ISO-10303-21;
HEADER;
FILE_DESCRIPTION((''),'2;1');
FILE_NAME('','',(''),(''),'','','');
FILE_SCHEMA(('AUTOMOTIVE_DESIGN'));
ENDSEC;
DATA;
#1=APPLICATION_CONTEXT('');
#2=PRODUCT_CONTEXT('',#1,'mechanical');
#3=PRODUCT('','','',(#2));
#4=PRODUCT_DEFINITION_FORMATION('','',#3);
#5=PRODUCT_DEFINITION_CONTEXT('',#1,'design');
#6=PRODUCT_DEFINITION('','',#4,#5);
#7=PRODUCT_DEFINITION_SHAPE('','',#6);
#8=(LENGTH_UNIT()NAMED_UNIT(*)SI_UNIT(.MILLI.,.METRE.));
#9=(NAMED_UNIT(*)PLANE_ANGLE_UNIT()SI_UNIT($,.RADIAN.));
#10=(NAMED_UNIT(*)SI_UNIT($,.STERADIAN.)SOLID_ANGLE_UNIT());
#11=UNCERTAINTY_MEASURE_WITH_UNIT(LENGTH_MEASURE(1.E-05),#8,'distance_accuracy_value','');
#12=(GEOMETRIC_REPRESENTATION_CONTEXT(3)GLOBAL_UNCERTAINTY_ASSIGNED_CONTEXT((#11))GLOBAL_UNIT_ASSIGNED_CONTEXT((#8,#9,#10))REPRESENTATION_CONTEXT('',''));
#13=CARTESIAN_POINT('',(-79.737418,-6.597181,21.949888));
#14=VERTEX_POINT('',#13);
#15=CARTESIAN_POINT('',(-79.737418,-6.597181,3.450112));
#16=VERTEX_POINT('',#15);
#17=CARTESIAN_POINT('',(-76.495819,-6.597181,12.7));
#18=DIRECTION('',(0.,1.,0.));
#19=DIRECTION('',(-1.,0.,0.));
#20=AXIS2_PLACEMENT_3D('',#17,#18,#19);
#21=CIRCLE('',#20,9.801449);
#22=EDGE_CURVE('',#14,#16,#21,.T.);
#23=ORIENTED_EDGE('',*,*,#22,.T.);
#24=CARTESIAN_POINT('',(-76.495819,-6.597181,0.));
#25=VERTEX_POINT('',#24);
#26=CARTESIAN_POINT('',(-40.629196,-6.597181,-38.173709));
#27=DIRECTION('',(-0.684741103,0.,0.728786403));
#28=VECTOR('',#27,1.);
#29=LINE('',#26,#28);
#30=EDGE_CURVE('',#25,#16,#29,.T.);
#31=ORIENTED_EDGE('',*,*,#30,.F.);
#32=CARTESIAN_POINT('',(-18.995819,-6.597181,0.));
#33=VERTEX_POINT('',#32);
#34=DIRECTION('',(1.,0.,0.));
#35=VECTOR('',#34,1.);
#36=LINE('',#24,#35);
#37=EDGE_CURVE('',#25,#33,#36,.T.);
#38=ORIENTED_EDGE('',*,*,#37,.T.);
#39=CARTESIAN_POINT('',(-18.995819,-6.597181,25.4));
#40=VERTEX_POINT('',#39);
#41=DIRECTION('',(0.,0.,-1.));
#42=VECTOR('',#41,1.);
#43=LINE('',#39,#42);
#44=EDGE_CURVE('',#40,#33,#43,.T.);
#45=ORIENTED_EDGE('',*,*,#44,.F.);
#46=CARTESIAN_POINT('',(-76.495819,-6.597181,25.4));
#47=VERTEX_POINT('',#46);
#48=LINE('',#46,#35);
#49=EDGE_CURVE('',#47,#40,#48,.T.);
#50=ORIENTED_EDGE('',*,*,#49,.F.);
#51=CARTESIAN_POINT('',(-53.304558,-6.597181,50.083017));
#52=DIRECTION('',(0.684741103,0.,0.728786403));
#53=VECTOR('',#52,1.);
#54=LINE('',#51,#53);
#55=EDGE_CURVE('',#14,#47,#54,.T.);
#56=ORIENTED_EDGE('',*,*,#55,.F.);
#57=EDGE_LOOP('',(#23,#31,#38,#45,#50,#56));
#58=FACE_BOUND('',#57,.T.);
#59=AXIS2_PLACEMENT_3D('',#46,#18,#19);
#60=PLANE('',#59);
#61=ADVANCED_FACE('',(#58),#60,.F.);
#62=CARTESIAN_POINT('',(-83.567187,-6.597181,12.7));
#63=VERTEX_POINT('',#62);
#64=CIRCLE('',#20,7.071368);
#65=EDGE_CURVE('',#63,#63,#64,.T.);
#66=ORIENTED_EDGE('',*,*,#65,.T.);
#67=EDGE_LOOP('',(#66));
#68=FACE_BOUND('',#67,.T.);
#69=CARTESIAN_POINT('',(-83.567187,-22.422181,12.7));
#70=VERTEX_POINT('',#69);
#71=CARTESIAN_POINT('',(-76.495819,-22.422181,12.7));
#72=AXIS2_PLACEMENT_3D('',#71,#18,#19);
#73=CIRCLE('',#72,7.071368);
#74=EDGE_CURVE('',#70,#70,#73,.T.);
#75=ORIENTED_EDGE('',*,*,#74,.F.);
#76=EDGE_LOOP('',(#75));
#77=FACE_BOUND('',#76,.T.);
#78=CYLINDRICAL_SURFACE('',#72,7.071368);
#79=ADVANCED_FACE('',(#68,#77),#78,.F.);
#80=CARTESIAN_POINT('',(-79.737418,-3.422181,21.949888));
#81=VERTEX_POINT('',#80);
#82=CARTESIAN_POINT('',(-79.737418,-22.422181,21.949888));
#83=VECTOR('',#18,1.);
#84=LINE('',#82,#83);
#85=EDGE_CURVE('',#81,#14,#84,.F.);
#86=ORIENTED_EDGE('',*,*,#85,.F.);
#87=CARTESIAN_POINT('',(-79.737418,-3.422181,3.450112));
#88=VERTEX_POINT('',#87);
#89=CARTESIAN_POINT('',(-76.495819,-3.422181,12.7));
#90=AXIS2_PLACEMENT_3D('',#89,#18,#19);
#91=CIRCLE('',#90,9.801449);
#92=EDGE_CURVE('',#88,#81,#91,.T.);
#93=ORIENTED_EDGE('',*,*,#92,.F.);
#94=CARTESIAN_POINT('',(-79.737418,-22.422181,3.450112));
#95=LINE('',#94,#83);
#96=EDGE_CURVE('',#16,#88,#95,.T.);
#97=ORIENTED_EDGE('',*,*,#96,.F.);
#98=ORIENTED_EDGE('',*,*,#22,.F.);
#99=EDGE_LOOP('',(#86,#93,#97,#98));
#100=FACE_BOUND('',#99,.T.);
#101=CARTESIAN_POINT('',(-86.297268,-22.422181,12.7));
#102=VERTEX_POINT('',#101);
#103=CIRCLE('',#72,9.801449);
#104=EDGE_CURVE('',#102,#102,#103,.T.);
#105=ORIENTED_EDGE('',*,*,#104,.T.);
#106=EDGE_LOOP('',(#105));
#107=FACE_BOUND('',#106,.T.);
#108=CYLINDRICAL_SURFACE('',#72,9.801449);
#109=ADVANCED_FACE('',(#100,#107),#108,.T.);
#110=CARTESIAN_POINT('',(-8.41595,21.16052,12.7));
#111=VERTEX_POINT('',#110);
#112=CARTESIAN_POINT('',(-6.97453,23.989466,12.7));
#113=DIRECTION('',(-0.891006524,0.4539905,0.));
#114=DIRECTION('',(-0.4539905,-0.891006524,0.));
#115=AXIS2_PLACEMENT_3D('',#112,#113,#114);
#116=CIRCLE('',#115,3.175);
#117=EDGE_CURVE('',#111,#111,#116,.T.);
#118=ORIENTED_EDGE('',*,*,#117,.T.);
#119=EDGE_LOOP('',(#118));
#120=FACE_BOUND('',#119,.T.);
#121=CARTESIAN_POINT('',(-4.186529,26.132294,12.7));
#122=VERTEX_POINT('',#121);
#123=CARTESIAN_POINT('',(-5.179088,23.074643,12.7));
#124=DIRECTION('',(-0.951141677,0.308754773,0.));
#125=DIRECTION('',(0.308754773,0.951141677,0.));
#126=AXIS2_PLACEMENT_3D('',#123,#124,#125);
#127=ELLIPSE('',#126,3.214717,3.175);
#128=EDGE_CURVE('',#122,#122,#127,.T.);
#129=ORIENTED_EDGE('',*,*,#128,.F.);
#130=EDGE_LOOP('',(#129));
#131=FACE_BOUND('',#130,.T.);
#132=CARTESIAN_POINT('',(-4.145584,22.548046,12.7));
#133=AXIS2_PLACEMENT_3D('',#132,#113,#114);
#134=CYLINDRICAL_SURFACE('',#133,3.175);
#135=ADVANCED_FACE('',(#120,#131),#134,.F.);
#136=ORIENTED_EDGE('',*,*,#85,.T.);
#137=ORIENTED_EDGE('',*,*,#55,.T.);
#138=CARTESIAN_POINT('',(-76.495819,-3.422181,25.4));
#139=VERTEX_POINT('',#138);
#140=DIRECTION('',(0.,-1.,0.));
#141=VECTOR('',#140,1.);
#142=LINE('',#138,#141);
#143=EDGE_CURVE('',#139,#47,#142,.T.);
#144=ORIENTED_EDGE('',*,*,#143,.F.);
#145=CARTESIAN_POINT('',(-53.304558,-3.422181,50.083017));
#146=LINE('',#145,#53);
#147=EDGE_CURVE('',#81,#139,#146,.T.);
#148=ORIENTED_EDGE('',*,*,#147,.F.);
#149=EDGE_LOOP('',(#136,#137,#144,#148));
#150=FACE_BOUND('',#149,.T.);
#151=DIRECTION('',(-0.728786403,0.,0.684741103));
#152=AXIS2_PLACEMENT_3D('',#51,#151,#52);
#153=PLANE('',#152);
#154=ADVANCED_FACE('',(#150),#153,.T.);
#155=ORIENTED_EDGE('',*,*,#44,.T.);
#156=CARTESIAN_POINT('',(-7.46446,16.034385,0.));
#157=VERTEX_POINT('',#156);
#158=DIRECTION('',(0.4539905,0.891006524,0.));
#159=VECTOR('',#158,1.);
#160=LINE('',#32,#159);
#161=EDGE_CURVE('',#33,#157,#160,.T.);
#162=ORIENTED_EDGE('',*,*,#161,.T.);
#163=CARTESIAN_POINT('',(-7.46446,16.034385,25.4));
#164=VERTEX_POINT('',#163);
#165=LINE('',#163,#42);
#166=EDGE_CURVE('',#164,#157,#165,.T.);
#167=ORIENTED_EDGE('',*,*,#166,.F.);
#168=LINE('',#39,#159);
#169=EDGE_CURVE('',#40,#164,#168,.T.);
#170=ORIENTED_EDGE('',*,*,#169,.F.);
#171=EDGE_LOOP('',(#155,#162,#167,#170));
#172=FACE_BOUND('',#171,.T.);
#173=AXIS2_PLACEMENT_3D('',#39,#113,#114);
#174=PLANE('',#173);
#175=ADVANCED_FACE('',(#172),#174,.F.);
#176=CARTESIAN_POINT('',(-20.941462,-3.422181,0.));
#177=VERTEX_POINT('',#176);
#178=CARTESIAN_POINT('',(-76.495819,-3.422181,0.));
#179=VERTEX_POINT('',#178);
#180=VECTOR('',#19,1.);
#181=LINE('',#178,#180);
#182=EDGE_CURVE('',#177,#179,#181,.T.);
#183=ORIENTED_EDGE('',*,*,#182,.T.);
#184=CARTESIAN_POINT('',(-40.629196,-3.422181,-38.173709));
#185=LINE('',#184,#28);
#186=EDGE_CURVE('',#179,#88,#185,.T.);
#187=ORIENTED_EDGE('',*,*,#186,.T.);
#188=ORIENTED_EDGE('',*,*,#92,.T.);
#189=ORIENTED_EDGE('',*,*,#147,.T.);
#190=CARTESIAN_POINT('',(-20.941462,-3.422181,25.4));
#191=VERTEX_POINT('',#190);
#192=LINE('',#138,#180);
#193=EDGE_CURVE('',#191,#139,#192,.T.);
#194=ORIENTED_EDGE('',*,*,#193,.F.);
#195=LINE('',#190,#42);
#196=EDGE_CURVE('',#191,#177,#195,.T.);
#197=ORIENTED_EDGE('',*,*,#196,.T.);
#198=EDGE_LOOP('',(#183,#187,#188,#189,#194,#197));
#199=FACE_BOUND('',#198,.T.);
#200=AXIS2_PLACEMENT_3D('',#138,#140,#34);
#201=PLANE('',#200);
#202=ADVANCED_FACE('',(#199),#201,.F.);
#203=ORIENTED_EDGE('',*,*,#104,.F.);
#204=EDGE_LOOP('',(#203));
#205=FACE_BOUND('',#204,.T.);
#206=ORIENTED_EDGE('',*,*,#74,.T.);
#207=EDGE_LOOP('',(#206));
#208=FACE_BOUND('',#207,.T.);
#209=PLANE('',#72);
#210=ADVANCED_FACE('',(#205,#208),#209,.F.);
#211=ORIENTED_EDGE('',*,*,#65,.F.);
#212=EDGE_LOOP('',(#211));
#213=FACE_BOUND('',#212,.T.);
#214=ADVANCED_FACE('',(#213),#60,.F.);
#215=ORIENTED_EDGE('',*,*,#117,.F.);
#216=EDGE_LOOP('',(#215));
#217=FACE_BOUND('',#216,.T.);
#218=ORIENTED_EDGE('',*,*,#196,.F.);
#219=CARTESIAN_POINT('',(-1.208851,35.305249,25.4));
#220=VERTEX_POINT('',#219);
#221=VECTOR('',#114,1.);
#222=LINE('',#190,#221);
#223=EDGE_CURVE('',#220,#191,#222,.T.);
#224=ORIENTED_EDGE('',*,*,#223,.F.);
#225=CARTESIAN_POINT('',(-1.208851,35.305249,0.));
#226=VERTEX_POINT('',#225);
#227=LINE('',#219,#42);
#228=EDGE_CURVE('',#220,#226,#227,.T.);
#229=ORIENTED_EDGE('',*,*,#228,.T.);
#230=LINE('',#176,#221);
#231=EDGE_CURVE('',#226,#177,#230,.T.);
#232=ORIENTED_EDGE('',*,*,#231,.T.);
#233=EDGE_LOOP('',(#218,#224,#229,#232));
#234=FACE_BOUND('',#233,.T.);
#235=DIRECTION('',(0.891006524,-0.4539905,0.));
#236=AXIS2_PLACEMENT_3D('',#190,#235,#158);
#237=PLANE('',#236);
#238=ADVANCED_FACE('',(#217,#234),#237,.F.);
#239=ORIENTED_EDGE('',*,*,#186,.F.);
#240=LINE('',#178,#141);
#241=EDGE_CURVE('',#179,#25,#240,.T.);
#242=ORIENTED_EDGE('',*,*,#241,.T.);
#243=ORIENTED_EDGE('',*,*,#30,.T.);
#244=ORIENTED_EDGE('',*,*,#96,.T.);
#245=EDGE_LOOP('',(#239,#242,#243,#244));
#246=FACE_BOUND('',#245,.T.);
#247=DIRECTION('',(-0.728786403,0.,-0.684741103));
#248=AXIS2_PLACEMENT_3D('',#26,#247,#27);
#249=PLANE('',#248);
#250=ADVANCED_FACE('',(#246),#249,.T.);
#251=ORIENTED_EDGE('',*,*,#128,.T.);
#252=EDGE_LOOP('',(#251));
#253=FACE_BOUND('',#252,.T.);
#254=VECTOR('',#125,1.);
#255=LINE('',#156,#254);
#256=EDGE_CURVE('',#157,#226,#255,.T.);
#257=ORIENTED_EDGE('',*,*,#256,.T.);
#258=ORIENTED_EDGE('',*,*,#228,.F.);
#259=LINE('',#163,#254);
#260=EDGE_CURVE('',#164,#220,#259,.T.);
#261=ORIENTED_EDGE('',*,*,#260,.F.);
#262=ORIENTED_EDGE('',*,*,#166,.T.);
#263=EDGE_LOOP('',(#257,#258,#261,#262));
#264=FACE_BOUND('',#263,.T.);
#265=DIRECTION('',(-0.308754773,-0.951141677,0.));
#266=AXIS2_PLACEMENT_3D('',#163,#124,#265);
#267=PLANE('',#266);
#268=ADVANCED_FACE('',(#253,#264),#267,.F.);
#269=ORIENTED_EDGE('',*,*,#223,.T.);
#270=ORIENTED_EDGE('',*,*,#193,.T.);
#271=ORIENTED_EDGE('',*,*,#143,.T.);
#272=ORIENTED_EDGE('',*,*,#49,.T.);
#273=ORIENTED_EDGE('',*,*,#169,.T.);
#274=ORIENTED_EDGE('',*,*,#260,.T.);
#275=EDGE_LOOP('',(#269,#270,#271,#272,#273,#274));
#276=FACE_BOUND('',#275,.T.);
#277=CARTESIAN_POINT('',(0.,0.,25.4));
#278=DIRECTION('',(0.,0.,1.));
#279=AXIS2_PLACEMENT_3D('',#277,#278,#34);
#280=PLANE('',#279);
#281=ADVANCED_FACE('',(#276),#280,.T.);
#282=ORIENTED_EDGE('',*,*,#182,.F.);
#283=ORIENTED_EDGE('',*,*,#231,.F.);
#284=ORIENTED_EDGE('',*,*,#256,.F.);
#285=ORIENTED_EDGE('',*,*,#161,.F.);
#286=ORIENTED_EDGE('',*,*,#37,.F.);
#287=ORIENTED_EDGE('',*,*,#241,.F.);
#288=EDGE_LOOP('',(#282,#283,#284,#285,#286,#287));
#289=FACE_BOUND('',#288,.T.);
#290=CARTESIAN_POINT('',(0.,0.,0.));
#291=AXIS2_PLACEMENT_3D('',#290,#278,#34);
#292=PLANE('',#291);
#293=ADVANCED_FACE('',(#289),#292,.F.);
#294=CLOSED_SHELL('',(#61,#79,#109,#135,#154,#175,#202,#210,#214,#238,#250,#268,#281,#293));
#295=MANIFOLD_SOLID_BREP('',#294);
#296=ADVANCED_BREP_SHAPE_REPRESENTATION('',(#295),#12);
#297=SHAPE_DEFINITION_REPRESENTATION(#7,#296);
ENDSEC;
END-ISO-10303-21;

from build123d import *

# Parameters (mm, degrees)
BOSS_EXTRUDE1_DEPTH = 25.4
SKETCH2_R           = 9.801448676
SKETCH2_R_2         = 7.071368029
BOSS_EXTRUDE2_DEPTH = 19
BOSS_EXTRUDE3_DEPTH = 3.175
SKETCH4_R           = 3.175
CUT_EXTRUDE1_DEPTH  = 3.175


with BuildPart() as part:
    # Sketch1 → Boss-Extrude1 (new body)
    with BuildSketch(Plane.XY):
        Polygon((-76.495819173, -3.422180745), (-20.941461675, -3.422180745), (-1.20885062, 35.305249012), (-7.464460479, 16.03438497), (-18.995819173, -6.597180745), (-76.495819173, -6.597180745), align=None)
    extrude(amount=BOSS_EXTRUDE1_DEPTH)

    # Sketch2 → Boss-Extrude2 (add)
    with BuildSketch(Plane(origin=(0, -3.422180745, 0), x_dir=(1, 0, 0), z_dir=(0, 1, 0))):
        with Locations((-76.495819173, -12.7)):
            Circle(SKETCH2_R)
        with Locations((-76.495819173, -12.7)):
            Circle(SKETCH2_R_2, mode=Mode.SUBTRACT)
    extrude(amount=-BOSS_EXTRUDE2_DEPTH)

    # Sketch3 → Boss-Extrude3 (add)
    with BuildSketch(Plane(origin=(0, -3.422180745, 0), x_dir=(1, 0, 0), z_dir=(0, 1, 0))):
        Polygon((-76.495819173, -25.4), (-76.495819173, 0), (-85.929582176, -10.040580563), (-85.929582176, -15.359419437), align=None)
        Polygon((-85.929582176, -15.359419437), (-85.929582176, -10.040580563), (-86.297267848, -12.7), align=None)
    extrude(amount=-BOSS_EXTRUDE3_DEPTH)

    # Sketch4 → Cut-Extrude1 (cut)
    with BuildSketch(Plane(origin=(-15.240970814, 7.765662505, 0), x_dir=(0, 0, 1), z_dir=(-0.891006524, 0.4539905, 0))):
        with Locations((12.7, 18.20840051)):
            Circle(SKETCH4_R)
    extrude(amount=-CUT_EXTRUDE1_DEPTH, mode=Mode.SUBTRACT)


solid = part.part
